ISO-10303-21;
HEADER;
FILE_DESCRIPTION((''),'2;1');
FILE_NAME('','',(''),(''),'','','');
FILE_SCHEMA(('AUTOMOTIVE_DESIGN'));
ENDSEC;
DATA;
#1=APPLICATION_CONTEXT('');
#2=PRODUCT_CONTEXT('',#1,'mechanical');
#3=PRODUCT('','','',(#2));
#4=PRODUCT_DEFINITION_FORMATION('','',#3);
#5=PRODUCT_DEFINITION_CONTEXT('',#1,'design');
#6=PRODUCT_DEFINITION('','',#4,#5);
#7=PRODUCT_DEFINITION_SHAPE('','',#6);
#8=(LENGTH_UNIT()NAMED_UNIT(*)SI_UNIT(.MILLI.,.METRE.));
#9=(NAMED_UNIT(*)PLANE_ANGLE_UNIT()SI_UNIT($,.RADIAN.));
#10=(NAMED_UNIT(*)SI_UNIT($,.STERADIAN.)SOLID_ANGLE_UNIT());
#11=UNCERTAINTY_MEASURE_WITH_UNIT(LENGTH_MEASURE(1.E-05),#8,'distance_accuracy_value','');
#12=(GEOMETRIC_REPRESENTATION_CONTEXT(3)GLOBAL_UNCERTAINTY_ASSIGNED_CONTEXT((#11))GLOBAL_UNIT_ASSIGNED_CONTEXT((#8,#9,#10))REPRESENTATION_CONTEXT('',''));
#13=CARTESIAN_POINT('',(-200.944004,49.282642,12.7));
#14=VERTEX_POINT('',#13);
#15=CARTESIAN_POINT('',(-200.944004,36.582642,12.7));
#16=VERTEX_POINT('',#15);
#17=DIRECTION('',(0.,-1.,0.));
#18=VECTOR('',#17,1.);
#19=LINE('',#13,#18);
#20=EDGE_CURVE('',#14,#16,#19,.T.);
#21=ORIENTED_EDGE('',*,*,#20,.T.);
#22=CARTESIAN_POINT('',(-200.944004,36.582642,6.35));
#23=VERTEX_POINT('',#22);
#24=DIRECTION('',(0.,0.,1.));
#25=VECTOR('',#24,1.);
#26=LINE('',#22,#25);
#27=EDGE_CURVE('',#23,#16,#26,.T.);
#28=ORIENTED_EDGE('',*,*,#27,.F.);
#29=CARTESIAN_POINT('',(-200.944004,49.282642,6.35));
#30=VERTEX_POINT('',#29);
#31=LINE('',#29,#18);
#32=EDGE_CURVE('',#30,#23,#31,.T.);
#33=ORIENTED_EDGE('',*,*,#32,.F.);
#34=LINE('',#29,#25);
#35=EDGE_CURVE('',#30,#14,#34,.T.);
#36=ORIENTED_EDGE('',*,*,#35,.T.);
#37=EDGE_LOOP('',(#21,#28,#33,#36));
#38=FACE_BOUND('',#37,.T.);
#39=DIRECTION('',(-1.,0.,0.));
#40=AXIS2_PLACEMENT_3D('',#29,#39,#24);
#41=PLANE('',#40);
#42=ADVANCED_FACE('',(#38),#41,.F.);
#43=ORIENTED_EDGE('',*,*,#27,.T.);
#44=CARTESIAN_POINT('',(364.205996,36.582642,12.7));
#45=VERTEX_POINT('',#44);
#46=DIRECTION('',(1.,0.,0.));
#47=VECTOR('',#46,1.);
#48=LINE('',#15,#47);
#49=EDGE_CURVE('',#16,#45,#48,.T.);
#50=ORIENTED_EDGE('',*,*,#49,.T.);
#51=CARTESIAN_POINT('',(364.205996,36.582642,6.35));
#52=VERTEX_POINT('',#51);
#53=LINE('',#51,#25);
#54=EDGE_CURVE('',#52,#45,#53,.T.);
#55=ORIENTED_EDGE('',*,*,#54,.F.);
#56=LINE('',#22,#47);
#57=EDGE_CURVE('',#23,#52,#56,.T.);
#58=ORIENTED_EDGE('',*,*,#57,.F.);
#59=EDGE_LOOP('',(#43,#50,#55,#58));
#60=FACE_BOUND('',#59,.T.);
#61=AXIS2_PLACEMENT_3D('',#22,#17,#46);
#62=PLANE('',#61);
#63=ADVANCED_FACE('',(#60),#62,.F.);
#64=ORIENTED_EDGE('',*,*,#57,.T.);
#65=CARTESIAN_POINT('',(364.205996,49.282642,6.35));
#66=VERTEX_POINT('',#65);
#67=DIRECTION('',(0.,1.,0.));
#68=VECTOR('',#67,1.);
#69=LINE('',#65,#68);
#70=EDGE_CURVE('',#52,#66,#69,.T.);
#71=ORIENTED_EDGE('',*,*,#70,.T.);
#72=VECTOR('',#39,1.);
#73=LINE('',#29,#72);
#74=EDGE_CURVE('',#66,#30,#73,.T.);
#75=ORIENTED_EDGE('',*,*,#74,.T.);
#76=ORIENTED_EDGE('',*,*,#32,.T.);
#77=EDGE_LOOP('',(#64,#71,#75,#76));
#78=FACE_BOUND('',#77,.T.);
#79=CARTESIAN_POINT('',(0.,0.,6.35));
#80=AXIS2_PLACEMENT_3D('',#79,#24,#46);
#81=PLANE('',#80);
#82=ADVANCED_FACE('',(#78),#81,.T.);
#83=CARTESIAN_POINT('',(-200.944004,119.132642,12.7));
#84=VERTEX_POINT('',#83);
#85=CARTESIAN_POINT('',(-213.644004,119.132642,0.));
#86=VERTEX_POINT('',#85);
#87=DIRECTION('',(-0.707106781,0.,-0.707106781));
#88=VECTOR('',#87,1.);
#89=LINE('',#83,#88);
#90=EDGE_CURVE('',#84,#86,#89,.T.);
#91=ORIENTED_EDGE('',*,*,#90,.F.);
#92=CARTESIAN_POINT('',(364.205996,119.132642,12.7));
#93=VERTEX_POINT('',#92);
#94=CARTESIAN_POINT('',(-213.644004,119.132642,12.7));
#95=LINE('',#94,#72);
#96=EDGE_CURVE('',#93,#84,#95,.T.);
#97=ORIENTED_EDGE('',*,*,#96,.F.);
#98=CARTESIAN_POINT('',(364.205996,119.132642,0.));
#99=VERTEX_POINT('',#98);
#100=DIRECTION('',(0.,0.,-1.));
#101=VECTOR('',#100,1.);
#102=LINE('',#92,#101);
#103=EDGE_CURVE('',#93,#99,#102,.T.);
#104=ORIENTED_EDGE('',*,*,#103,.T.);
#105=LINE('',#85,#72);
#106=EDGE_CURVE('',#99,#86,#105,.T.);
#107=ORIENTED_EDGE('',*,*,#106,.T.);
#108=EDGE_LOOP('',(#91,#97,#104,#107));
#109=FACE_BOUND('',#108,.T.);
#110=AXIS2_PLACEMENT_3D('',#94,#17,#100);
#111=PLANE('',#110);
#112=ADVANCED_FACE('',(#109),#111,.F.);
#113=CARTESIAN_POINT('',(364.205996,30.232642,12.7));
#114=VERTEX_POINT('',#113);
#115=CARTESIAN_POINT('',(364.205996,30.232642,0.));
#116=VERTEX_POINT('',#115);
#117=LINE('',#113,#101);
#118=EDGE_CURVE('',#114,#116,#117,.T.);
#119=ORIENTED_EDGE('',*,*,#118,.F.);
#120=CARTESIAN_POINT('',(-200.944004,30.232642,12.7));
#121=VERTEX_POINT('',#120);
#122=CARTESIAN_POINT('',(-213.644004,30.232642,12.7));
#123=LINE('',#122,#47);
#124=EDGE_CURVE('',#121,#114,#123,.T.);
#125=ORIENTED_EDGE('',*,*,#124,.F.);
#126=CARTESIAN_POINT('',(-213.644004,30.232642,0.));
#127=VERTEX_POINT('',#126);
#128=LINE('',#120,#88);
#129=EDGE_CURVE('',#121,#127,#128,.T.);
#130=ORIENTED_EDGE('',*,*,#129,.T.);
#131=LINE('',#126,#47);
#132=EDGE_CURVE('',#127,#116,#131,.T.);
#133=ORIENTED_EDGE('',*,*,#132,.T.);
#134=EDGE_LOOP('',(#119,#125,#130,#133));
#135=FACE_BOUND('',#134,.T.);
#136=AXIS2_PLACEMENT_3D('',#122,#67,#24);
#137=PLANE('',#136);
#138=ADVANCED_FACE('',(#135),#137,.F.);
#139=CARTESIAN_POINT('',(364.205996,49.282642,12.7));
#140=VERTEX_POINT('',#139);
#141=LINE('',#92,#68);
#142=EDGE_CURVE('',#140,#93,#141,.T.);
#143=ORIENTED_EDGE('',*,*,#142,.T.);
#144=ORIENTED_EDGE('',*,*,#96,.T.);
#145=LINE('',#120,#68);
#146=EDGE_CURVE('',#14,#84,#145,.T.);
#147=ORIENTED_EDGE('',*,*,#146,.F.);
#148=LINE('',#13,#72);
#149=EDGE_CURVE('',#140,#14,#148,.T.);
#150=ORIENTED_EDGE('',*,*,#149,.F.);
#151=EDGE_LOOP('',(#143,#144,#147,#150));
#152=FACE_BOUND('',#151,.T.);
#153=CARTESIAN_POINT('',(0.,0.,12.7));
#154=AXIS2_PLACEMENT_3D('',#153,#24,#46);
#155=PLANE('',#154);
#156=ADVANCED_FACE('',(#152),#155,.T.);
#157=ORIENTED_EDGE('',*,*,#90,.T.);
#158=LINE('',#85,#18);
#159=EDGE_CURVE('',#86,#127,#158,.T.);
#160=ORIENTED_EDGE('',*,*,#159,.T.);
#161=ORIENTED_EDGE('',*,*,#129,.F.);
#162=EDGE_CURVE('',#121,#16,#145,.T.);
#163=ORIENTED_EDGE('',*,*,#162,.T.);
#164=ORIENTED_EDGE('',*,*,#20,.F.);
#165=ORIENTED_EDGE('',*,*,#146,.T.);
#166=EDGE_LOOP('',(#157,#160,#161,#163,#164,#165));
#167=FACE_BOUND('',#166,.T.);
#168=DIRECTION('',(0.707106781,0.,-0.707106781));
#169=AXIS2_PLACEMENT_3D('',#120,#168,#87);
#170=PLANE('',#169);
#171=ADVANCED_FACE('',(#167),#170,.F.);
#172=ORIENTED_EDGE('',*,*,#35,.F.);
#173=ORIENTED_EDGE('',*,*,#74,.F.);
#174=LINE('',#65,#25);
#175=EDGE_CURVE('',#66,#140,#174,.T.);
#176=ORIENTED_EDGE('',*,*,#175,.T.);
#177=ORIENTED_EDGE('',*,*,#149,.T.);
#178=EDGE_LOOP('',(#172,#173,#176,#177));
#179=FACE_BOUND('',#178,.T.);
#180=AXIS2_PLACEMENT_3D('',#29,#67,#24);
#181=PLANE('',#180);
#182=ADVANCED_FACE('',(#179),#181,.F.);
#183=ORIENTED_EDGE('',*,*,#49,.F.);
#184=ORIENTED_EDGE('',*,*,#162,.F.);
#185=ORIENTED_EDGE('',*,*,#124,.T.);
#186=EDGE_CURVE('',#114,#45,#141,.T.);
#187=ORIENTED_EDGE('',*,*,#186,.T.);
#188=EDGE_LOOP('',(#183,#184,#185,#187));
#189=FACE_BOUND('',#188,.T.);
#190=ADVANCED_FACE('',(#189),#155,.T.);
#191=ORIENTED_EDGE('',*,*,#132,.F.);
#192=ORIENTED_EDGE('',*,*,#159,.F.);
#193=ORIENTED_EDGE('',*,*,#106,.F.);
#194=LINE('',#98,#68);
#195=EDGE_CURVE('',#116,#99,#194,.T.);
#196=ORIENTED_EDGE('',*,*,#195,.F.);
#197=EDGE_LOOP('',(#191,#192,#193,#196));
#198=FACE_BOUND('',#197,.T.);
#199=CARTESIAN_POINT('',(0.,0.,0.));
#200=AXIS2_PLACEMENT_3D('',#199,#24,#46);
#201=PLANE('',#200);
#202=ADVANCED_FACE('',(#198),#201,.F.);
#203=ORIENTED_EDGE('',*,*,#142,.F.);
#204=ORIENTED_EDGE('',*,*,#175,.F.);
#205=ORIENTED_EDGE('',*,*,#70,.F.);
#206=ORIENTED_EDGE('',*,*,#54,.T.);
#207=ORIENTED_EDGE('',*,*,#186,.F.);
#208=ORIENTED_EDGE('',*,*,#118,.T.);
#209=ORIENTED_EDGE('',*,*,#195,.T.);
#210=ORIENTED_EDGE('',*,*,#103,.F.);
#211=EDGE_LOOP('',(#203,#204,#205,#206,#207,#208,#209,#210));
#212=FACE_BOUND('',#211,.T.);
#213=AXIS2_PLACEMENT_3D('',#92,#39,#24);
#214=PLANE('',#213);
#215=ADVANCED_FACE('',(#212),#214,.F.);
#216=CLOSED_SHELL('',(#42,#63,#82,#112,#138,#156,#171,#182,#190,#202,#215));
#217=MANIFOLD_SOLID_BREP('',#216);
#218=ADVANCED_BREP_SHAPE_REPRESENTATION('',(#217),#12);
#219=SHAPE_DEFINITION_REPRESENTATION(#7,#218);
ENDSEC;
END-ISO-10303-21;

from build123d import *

# Parameters (mm, degrees)
SKETCH1_W           = 577.85
SKETCH1_H           = 88.9
BOSS_EXTRUDE1_DEPTH = 12.7
CUT_EXTRUDE1_DEPTH  = 89.9
SKETCH4_W           = 565.15
SKETCH4_H           = 12.7
CUT_EXTRUDE3_DEPTH  = 6.35


with BuildPart() as part:
    # Sketch1 → Boss-Extrude1 (new body)
    with BuildSketch(Plane.XY):
        with Locations((75.280996393, 74.68264202)):
            Rectangle(SKETCH1_W, SKETCH1_H)
    extrude(amount=BOSS_EXTRUDE1_DEPTH)

    # Sketch2 → Cut-Extrude1 (cut, through all)
    with BuildSketch(Plane(origin=(0, 119.13264202, 0), x_dir=(1, 0, 0), z_dir=(0, 1, 0))):
        Polygon((-200.944003607, -12.7), (-213.644003607, 0), (-213.644003607, -12.7), align=None)
    extrude(amount=-CUT_EXTRUDE1_DEPTH, mode=Mode.SUBTRACT)

    # Sketch4 → Cut-Extrude3 (cut)
    with BuildSketch(Plane.XY.offset(12.7)):
        with Locations((81.630996393, 42.93264202)):
            Rectangle(SKETCH4_W, SKETCH4_H)
    extrude(amount=-CUT_EXTRUDE3_DEPTH, mode=Mode.SUBTRACT)


solid = part.part
